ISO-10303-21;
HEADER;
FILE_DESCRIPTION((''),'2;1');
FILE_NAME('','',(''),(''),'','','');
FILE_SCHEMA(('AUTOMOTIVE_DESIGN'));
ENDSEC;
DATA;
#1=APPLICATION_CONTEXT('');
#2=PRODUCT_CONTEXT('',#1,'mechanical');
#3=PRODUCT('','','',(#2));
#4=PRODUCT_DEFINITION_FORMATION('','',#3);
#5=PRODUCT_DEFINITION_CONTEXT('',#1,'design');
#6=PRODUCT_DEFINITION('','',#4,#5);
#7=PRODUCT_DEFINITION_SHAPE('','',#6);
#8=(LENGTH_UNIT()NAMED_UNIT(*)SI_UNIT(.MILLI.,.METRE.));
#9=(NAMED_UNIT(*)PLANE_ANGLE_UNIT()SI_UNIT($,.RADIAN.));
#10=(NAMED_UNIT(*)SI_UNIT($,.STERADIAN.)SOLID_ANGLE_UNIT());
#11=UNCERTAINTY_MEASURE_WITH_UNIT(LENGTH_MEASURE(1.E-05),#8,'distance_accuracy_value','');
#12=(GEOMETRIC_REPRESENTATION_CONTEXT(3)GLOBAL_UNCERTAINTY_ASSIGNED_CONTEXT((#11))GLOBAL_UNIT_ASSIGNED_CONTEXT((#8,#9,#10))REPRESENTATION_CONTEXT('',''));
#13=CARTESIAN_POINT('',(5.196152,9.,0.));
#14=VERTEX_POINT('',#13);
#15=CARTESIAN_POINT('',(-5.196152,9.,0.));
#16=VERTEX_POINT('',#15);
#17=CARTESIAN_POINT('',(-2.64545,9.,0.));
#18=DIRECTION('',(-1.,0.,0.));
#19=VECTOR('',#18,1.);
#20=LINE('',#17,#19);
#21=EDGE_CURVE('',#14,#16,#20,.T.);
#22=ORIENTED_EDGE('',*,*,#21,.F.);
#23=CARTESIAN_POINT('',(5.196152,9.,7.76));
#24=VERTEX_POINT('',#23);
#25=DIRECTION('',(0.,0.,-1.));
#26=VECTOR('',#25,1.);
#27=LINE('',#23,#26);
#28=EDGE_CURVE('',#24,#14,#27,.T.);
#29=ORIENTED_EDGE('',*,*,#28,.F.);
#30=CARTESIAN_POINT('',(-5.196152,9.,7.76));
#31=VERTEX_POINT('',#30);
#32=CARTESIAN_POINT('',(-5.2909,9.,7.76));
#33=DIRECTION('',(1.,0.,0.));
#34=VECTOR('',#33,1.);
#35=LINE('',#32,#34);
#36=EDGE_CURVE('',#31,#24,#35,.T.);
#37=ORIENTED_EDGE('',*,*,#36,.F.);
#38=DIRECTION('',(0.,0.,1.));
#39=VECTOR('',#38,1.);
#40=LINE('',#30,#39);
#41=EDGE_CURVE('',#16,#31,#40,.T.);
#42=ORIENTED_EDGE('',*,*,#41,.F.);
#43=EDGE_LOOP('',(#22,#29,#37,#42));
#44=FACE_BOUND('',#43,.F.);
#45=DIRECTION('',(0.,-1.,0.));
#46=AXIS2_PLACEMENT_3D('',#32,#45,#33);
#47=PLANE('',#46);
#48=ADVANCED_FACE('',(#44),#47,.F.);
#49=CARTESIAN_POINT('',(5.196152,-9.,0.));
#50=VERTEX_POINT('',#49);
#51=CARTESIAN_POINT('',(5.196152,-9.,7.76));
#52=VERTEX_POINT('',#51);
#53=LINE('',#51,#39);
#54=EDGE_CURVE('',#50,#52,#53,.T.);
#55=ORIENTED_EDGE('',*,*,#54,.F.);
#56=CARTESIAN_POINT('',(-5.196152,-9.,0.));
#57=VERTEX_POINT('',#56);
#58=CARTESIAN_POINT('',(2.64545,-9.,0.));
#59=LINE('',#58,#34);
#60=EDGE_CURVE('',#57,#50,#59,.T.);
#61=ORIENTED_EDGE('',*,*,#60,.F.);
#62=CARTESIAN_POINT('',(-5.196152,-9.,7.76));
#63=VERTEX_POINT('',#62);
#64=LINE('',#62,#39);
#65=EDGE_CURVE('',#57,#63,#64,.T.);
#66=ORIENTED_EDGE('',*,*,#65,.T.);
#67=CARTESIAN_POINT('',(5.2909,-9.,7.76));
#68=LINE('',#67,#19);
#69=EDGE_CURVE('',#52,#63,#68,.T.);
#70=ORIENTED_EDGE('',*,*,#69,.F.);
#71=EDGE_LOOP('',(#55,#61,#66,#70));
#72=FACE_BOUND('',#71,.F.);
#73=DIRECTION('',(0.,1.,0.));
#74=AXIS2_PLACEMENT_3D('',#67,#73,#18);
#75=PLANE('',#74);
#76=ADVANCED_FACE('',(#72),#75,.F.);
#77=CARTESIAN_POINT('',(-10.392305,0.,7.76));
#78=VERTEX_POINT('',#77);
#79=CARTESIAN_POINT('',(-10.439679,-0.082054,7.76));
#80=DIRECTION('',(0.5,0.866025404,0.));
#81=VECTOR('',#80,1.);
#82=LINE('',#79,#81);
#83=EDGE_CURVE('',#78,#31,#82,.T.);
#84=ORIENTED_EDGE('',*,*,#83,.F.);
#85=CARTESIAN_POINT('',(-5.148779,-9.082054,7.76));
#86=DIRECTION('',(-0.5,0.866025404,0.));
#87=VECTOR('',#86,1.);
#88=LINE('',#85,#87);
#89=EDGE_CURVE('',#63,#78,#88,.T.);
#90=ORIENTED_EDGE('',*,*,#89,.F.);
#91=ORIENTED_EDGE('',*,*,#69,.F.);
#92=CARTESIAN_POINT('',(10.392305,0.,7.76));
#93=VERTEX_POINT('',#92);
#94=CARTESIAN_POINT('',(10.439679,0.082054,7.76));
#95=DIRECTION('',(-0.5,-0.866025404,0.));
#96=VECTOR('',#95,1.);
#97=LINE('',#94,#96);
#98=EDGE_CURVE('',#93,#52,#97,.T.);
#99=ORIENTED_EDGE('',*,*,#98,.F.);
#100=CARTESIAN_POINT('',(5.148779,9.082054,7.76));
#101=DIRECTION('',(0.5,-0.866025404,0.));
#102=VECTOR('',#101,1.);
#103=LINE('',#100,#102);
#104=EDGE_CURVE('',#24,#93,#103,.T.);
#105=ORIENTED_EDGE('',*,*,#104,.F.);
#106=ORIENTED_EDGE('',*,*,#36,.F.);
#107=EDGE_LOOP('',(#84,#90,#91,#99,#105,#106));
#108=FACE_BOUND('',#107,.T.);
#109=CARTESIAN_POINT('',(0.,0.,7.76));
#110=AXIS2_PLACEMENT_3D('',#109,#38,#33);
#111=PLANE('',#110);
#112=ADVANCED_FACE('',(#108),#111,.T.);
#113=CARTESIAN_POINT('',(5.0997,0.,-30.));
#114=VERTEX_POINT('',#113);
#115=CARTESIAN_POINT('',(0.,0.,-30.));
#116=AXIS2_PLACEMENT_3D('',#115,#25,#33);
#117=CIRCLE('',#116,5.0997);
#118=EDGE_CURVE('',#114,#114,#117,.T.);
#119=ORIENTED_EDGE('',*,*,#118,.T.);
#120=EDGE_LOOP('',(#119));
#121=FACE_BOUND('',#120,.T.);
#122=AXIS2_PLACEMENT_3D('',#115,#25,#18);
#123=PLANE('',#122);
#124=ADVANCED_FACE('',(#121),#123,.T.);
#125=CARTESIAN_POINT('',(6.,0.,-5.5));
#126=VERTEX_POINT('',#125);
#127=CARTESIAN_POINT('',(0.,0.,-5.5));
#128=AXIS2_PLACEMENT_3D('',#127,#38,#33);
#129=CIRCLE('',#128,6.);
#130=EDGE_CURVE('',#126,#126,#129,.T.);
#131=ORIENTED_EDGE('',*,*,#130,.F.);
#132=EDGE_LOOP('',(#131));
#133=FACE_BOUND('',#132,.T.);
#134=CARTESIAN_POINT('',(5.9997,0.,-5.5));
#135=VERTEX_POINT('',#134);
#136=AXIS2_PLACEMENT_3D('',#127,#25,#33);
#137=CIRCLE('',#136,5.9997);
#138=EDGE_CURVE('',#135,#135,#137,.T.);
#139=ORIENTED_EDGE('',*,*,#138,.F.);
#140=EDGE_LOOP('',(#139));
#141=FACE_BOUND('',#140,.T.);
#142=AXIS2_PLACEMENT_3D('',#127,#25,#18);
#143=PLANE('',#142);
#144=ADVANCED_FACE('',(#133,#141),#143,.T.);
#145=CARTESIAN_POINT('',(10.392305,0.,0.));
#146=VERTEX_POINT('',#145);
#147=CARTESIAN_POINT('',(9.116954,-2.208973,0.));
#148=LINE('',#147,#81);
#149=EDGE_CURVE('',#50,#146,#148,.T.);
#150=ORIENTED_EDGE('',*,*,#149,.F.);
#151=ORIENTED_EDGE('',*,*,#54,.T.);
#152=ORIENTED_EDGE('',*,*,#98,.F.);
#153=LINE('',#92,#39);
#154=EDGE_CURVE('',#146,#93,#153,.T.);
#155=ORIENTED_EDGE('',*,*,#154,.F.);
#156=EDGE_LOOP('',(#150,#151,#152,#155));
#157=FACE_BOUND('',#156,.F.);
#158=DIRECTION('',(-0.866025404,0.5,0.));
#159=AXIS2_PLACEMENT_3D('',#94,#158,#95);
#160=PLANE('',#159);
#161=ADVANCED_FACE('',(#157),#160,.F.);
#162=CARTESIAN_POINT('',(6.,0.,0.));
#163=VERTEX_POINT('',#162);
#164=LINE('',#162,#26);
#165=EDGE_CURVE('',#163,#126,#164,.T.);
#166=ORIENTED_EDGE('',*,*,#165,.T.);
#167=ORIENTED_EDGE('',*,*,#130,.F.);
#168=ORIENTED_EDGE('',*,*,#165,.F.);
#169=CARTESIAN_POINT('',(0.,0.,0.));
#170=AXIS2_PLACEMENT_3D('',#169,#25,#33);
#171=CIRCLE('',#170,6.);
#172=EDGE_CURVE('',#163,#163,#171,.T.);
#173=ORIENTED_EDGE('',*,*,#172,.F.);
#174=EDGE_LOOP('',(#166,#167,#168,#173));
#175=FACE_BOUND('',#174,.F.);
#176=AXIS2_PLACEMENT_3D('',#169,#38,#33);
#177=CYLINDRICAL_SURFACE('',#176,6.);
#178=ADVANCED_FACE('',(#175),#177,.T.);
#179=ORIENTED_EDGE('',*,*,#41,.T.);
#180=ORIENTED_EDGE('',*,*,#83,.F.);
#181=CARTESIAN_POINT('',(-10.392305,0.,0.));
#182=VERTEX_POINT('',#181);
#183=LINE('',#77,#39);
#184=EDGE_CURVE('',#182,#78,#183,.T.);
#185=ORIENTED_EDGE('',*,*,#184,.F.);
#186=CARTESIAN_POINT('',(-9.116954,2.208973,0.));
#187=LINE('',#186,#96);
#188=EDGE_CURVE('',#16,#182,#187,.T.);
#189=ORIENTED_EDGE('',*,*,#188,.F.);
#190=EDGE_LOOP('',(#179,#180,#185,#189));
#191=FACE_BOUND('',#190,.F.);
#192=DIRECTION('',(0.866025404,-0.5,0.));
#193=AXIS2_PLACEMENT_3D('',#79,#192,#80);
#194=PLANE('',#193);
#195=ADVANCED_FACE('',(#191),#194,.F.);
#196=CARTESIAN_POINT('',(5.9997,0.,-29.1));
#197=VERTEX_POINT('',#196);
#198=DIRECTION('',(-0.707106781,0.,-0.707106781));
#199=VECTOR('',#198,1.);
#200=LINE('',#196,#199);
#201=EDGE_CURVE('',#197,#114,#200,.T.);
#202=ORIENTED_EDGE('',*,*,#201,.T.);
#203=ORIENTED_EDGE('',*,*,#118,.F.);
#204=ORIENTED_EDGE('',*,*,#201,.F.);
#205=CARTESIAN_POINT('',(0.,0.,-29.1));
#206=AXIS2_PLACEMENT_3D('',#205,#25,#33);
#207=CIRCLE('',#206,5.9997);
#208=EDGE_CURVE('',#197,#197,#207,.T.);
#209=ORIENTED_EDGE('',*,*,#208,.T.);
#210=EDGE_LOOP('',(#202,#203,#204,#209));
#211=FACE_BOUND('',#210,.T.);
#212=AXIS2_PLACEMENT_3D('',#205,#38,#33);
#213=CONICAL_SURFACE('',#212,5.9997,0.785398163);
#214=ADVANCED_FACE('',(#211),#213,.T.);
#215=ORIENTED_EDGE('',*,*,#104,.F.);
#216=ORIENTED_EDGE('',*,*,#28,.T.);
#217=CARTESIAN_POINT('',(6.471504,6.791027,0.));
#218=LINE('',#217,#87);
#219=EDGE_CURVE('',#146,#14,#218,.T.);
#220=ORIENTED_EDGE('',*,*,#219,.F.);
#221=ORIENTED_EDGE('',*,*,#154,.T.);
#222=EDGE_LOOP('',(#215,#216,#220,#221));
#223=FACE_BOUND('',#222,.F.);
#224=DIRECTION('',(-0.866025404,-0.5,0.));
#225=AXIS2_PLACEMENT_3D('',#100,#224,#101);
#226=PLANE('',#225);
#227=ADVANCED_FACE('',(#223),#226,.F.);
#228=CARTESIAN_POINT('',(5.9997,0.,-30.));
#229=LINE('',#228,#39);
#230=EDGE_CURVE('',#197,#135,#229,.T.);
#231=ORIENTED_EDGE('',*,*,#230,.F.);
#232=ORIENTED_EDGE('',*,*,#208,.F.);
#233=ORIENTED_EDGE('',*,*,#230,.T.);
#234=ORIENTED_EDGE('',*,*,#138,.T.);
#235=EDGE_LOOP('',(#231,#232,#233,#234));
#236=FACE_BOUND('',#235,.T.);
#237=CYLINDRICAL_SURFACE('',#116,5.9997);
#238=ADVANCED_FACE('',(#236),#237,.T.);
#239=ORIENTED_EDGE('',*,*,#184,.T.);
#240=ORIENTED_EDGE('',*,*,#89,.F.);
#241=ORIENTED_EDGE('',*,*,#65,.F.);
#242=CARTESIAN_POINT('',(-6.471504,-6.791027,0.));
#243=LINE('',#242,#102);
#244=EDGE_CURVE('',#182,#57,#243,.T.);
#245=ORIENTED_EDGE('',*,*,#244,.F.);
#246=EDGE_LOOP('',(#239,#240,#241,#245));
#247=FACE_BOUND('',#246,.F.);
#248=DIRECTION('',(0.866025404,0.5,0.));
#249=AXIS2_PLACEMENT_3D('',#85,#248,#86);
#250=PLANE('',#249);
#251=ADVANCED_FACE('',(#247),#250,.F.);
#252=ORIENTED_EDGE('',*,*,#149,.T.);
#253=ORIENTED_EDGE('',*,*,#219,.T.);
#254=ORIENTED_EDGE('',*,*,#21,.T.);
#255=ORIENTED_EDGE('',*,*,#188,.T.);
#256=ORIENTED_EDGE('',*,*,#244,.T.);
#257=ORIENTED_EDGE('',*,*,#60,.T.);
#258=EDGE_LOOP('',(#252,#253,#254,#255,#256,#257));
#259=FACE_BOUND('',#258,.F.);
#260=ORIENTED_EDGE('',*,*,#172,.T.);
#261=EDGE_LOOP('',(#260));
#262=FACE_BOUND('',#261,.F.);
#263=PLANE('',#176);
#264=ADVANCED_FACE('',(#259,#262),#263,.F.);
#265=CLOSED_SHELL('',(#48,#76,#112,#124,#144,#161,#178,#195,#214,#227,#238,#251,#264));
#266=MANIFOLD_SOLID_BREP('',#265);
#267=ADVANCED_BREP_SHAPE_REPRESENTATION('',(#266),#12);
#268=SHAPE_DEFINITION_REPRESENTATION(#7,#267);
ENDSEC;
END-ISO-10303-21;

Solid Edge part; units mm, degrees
sketch "Sketch1" plane through (0, 0, 0) normal (0, 0, 1) x (1, 0, 0)
  circle A0 centre (0, 0) radius 10.44
  dimension "D1" = 20.88
extrude "Protrusion1" add sketch "Sketch1" along normal blind 7.76
sketch "Sketch2" plane through (0, 0, 0) normal (0, 0, -1) x (1, 0, 0)
  circle A0 centre (0, 0) radius 6
extrude "Protrusion2" add sketch "Sketch2" along normal blind 30
sketch "Sketch3" plane through (0, 0, -30) normal (0, 0, -1) x (1, 0, 0)
  circle A0 centre (0, 0) radius 5.9997
extrude "Cutout1" cut sketch "Sketch3" against normal blind 24.5 flip side to cut
chamfer "Chamfer_1" distance 0.9 angle 45 1 edges at (-5.9997, 0, -30)
sketch "Sketch4" plane through (0, 0, 7.76) normal (0, 0, 1) x (1, 0, 0)
  line L0 (-5.2909, 9) -> (5.2909, 9)
  dimension "D1" = 18
extrude "Cutout2" cut sketch "Sketch4" against normal up to next material side at (0, 9.05, 7.76)
pattern_circular "Pattern1" count 6 over 360 about axis through (0, 0, 7.76) along (0, 0, 1) of "Cutout2"
properties part number "118876" material "Stainless Steel, 304"
